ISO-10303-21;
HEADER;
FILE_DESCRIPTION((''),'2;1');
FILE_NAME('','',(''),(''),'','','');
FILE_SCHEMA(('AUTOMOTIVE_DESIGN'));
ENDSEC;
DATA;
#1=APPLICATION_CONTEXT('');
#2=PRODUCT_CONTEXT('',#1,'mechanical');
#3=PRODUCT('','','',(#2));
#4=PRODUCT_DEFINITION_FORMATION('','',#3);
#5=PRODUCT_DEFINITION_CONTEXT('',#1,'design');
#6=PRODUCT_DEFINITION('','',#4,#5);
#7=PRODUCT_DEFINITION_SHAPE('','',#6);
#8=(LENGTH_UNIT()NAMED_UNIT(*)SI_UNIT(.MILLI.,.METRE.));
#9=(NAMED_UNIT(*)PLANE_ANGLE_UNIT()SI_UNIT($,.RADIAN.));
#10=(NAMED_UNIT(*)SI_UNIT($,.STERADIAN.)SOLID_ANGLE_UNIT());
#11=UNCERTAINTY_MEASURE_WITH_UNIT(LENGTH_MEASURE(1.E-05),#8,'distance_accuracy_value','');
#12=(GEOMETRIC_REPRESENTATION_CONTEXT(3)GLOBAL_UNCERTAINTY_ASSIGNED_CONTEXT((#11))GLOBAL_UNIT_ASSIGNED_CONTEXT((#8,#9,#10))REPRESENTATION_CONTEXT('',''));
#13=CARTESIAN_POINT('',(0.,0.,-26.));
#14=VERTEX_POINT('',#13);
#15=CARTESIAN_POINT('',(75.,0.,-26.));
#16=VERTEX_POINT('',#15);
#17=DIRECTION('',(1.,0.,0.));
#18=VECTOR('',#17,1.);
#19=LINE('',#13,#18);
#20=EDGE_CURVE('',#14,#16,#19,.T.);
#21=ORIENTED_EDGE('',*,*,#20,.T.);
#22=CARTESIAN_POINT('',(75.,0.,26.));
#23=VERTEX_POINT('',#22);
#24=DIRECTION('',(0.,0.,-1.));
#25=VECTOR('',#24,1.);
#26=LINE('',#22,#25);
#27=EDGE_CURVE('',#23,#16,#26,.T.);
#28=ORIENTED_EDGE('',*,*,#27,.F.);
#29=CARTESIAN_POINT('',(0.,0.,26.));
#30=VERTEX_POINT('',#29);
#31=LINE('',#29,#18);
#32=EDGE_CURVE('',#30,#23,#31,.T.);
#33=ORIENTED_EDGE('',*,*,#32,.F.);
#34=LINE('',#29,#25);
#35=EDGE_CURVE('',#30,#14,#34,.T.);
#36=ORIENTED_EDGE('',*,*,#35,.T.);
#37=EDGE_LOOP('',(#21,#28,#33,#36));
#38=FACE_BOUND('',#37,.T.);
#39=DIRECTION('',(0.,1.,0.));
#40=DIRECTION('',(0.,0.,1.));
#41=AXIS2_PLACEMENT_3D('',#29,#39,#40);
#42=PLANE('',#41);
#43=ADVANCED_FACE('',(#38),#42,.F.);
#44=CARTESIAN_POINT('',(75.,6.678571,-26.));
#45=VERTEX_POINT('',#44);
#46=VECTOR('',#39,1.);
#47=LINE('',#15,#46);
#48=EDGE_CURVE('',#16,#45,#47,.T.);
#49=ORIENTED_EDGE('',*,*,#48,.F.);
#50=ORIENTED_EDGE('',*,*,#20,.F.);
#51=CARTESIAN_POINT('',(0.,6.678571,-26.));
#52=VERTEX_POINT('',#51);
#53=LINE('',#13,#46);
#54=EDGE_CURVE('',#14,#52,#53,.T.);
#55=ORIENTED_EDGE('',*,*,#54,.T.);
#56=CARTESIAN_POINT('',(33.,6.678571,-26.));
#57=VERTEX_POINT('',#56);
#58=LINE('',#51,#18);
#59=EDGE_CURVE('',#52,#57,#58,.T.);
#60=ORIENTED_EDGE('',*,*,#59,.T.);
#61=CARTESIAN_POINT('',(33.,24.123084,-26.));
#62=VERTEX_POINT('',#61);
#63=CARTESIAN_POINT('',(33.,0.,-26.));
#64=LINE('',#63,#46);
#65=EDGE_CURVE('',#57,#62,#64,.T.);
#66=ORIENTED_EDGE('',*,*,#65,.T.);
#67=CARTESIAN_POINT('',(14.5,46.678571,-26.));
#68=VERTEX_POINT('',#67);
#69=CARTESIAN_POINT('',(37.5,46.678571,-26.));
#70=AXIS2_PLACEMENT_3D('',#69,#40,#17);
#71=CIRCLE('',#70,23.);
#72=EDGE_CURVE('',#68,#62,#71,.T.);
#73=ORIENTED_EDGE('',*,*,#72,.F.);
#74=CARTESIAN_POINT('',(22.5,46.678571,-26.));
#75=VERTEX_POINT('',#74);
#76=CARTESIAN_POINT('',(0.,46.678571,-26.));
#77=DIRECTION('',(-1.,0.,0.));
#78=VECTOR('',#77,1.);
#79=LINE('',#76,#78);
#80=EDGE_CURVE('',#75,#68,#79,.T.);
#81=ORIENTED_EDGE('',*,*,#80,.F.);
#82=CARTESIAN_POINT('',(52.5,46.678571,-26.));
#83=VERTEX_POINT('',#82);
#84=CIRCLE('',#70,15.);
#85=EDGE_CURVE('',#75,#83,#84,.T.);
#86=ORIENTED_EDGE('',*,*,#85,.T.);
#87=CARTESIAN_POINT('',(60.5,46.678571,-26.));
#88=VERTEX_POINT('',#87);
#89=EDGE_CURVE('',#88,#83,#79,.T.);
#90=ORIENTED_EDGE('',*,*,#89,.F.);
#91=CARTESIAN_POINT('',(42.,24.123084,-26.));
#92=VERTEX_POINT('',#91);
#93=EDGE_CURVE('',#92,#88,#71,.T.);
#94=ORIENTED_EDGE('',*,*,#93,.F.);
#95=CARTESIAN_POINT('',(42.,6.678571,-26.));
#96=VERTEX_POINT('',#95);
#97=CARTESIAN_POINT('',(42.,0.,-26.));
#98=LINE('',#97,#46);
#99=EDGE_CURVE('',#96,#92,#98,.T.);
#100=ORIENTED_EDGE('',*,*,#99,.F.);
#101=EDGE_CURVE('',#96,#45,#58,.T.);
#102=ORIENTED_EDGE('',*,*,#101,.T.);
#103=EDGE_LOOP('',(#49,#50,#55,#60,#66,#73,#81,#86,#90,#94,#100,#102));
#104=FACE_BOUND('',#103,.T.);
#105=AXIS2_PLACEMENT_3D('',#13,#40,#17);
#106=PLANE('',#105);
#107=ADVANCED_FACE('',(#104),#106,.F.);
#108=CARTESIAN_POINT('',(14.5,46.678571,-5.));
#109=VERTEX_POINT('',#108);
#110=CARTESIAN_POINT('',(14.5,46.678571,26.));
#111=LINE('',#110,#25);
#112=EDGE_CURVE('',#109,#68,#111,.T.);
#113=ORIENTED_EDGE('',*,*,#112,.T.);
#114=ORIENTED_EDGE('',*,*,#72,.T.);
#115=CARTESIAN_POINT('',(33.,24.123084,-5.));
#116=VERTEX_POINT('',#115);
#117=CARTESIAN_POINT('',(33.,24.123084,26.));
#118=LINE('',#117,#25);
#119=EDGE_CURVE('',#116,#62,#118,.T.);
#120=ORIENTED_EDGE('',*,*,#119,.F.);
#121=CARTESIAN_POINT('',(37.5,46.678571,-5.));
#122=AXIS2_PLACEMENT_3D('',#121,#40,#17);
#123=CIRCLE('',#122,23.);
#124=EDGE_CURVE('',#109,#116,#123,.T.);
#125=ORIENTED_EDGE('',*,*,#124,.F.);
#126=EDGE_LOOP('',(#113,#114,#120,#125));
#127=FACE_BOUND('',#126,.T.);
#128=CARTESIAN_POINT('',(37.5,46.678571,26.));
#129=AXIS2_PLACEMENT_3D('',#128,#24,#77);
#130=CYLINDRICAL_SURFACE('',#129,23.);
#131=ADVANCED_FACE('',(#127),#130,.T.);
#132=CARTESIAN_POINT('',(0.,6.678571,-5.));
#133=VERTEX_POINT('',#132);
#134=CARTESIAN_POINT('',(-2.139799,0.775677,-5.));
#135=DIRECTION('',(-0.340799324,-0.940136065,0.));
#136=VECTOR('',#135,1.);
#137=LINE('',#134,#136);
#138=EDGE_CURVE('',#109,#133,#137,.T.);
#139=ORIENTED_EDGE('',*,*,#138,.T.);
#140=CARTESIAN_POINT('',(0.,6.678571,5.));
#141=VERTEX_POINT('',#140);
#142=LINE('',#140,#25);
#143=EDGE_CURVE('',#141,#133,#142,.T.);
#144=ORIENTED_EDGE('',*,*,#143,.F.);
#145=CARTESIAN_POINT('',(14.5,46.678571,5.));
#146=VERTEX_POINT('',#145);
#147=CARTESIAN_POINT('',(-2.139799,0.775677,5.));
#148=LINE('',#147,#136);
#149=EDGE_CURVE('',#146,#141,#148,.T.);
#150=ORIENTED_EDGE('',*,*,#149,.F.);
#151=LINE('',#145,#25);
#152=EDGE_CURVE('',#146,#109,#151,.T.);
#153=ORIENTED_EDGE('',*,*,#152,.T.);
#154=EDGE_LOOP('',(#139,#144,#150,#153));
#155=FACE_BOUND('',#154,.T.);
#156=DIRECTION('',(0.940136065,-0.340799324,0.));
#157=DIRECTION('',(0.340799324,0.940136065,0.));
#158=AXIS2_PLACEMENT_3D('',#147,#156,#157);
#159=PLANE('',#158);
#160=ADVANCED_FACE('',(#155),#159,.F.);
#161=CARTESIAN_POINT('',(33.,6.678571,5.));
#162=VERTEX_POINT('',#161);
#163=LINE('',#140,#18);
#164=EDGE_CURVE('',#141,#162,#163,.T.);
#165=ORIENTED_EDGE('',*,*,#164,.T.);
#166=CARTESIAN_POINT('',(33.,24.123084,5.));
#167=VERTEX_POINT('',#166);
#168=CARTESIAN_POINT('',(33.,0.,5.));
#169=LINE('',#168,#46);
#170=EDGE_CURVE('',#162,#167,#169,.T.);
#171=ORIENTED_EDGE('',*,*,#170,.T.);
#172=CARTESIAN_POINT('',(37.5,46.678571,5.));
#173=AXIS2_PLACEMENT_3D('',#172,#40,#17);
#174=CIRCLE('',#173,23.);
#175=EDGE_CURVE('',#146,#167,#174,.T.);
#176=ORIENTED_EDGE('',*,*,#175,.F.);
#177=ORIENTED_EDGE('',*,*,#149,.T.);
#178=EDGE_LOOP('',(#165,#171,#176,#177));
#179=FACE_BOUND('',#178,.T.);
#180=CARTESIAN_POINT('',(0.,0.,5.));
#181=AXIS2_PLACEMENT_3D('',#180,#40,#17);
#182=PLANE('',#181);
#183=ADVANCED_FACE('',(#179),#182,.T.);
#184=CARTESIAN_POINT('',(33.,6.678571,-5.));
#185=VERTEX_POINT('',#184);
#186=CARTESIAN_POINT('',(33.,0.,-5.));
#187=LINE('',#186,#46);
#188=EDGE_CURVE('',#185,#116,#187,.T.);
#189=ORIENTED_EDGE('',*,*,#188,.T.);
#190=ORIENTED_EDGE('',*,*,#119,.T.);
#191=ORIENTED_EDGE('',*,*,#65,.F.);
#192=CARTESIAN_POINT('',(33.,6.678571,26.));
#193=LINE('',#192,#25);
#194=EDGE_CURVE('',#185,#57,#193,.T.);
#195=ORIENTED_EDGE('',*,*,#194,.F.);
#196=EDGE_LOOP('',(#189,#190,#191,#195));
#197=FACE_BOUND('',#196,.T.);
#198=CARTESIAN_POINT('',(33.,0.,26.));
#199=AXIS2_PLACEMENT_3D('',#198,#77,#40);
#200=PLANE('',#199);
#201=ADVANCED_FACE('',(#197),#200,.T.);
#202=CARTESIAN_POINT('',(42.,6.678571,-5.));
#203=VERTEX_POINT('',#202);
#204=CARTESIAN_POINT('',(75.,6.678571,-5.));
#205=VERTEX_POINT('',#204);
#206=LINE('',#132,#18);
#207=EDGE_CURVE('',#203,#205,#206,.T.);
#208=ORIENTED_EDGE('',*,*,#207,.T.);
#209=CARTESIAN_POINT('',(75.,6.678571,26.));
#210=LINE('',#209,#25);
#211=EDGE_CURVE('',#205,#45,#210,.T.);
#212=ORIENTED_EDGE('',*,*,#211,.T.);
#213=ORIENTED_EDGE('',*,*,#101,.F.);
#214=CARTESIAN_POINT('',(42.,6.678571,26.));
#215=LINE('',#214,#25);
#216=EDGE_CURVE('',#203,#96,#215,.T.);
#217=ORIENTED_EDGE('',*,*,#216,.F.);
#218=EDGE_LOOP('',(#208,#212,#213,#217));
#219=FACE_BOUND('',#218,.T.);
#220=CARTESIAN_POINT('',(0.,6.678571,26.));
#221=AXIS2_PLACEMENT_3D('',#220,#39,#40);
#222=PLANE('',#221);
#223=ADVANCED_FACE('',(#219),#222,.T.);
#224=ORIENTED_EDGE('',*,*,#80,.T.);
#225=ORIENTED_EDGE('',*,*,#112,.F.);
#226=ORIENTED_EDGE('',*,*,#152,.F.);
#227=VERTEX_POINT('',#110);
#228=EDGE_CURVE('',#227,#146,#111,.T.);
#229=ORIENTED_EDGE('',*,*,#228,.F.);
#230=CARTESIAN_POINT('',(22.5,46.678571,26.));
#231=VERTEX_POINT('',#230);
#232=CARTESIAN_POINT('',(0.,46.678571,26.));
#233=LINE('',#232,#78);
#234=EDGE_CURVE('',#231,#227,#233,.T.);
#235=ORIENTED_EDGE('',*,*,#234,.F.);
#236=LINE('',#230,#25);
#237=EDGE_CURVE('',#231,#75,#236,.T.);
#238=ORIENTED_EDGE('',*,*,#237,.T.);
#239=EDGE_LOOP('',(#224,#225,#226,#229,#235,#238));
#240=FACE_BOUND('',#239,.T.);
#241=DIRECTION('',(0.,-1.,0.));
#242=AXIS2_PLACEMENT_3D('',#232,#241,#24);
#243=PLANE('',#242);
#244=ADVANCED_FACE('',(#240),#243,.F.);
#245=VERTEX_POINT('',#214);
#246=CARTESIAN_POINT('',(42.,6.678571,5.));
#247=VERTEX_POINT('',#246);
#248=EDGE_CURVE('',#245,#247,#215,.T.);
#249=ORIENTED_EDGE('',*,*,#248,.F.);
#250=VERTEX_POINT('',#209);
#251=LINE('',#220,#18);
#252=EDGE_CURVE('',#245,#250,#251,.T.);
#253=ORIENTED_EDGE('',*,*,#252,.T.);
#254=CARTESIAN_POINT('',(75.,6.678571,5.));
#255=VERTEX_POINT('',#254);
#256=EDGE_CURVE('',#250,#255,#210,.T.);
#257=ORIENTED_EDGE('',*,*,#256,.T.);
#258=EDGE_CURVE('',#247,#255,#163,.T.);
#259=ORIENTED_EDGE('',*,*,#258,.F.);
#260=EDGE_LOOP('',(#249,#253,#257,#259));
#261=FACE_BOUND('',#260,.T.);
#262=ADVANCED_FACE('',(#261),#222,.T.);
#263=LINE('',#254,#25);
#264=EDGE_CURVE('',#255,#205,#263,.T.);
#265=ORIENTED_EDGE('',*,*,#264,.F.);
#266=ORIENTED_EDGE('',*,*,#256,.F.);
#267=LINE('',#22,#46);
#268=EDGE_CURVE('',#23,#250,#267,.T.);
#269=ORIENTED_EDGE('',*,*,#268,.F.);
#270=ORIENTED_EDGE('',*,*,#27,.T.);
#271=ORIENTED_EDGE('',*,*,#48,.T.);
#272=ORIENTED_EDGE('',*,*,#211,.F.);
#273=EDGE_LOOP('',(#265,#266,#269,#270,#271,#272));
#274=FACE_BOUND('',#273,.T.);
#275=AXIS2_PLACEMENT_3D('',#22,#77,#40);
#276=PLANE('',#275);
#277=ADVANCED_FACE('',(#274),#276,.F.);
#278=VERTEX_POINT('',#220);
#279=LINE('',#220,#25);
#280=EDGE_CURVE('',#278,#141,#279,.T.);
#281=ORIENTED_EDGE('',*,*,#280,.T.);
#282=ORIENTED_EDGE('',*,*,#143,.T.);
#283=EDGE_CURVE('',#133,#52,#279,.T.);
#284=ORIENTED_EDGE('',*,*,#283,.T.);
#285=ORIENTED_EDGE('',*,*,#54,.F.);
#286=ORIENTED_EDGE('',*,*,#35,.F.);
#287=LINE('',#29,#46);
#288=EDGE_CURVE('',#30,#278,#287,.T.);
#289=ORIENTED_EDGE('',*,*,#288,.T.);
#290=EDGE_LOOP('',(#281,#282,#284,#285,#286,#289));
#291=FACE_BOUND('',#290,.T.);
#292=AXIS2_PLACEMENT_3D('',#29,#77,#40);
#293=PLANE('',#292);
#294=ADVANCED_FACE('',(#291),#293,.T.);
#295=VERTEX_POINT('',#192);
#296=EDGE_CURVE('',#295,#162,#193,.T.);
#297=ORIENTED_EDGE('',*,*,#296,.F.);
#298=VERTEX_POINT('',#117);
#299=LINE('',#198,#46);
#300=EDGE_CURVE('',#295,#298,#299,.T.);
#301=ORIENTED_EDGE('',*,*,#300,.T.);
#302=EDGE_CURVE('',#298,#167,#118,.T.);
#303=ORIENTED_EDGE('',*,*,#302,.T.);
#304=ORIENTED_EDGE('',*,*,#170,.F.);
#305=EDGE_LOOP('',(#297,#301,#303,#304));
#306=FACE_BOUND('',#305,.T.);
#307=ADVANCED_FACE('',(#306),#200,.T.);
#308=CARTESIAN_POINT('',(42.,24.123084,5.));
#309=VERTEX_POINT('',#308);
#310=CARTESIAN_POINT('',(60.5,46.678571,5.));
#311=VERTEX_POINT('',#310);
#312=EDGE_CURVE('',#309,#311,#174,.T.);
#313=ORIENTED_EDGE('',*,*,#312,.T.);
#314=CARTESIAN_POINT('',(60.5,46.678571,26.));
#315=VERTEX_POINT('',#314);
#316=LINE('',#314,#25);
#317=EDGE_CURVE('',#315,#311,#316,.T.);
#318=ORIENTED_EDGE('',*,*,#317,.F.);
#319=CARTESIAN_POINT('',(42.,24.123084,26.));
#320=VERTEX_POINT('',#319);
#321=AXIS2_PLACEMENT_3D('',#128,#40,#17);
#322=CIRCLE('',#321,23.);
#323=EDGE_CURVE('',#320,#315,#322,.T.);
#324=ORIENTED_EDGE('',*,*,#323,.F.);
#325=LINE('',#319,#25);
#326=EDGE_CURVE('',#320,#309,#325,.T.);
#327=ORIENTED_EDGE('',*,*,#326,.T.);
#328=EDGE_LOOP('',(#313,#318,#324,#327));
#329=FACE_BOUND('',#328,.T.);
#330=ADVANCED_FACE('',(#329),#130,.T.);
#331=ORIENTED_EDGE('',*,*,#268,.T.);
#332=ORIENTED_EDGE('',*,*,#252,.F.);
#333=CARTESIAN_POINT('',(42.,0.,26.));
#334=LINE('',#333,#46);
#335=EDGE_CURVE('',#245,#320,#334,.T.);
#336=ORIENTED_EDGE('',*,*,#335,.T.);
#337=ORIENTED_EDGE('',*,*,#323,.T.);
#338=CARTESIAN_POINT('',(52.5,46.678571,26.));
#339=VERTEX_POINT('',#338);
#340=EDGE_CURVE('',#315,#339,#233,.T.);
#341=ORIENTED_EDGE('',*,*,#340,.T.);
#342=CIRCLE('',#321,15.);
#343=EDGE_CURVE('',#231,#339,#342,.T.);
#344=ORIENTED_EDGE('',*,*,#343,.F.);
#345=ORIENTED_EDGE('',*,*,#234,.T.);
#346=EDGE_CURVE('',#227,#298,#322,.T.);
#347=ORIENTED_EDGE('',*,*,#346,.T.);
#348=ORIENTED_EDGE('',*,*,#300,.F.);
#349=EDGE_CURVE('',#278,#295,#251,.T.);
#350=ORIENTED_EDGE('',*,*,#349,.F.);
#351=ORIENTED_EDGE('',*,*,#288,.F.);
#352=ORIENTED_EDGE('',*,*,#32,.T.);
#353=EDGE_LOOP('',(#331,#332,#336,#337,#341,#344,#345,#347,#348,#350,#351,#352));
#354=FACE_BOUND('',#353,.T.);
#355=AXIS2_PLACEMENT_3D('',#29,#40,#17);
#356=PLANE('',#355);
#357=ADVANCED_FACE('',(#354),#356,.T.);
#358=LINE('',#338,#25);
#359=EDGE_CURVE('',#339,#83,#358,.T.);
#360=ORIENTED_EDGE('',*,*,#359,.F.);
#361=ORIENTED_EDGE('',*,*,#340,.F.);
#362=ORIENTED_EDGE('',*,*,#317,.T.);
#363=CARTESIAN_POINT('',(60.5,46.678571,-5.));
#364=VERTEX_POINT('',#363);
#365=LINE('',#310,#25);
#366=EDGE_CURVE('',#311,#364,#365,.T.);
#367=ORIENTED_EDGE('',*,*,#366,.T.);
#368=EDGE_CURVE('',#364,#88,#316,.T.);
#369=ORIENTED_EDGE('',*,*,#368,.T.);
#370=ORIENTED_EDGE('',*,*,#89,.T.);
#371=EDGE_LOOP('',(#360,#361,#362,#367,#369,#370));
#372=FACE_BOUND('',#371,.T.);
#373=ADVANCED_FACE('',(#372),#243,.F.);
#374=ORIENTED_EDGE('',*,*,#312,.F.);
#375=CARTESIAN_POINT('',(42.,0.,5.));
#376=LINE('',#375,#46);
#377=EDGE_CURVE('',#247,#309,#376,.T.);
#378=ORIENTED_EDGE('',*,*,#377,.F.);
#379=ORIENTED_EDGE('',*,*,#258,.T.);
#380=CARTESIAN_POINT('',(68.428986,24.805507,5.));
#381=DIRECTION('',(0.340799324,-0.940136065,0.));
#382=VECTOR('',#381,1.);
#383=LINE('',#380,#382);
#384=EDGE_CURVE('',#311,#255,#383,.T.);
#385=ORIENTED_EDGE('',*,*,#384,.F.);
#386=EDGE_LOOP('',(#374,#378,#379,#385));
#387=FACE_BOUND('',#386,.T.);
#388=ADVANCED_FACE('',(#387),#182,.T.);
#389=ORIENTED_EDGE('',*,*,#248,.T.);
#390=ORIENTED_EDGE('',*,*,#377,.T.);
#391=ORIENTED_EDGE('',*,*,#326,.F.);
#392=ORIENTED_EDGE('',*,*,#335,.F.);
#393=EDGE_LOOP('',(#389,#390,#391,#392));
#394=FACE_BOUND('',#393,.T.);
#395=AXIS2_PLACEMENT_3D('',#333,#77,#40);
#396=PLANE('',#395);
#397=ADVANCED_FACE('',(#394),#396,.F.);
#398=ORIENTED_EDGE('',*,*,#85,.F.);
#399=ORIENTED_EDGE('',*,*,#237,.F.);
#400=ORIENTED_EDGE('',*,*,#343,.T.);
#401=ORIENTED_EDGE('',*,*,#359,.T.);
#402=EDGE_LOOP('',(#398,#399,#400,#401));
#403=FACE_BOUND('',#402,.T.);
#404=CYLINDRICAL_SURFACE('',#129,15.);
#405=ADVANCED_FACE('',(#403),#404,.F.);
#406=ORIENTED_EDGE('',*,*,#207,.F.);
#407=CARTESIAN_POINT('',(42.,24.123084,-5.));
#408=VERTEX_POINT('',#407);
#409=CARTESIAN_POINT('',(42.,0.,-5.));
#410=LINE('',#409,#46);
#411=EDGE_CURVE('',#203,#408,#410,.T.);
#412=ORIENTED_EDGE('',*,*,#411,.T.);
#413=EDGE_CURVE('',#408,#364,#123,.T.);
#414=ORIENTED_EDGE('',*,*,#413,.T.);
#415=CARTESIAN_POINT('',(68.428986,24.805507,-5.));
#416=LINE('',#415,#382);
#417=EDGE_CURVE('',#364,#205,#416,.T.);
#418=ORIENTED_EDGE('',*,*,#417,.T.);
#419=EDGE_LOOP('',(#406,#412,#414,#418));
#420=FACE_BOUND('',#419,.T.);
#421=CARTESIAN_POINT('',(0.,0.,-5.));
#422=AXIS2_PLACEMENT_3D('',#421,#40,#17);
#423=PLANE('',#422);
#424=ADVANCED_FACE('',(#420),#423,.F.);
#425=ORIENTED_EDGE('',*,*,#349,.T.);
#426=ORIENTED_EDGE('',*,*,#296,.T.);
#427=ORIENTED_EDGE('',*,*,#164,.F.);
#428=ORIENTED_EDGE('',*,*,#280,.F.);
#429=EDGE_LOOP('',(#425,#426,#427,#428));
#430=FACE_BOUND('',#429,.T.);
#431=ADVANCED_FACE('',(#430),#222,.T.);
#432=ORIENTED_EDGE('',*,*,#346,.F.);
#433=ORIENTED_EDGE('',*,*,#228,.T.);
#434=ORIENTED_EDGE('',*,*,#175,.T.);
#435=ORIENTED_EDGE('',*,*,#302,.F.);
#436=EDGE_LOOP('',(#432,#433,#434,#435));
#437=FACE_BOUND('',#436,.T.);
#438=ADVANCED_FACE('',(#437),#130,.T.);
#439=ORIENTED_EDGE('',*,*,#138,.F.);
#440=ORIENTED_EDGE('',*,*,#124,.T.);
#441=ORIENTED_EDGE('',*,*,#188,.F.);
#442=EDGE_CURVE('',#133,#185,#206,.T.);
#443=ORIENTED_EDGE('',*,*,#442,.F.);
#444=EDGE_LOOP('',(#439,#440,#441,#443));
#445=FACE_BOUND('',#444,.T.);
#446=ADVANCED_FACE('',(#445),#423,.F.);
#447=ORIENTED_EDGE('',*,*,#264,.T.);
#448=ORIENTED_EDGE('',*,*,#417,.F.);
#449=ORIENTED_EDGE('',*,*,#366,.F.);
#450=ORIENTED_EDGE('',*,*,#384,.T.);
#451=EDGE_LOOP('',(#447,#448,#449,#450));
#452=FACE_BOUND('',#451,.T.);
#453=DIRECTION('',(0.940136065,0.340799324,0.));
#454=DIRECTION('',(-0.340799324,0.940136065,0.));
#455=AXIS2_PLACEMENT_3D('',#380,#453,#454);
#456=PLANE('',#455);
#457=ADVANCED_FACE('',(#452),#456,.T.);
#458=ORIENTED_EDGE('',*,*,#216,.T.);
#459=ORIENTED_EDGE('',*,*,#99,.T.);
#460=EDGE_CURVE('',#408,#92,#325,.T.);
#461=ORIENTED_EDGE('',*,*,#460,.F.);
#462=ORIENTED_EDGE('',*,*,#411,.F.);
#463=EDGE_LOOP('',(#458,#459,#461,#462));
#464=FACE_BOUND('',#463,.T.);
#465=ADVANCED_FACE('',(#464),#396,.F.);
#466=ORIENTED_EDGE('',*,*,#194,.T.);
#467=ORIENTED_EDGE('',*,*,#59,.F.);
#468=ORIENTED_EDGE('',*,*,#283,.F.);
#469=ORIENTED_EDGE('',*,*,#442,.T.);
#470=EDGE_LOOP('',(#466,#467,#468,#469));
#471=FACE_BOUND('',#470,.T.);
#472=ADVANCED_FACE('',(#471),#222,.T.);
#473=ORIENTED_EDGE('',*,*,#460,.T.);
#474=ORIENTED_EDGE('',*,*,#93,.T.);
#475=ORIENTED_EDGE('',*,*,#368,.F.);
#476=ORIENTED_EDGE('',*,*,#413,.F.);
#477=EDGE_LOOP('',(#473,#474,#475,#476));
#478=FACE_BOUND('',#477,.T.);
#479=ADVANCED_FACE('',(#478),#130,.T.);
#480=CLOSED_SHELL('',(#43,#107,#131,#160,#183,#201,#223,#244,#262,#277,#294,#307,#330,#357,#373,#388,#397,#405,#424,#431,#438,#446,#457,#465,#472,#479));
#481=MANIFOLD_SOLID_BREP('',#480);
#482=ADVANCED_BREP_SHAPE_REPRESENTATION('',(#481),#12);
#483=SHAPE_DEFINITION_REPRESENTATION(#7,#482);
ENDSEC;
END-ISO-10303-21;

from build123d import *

# Parameters (mm, degrees)
BOSS_EXTRUDE1_DEPTH = 26
BOSS_EXTRUDE2_DEPTH = 5


with BuildPart() as part:
    # Sketch1 → Boss-Extrude1 (new, symmetric)
    with BuildSketch(Plane.XY):
        with BuildLine():
            Line((75, 6.678571429), (42, 6.678571429))
            Line((42, 6.678571429), (42, 24.123084291))
            ThreePointArc((42, 24.123084291), (55.283419244, 32.092619283), (60.5, 46.678571429))
            Line((60.5, 46.678571429), (52.5, 46.678571429))
            ThreePointArc((52.5, 46.678571429), (37.5, 31.678571429), (22.5, 46.678571429))
            Line((22.5, 46.678571429), (14.5, 46.678571429))
            ThreePointArc((14.5, 46.678571429), (19.716580756, 32.092619283), (33, 24.123084291))
            Line((33, 24.123084291), (33, 6.678571429))
            Line((33, 6.678571429), (0, 6.678571429))
            Line((0, 6.678571429), (0, 0))
            Line((0, 0), (75, 0))
            Line((75, 0), (75, 6.678571429))
        make_face()
    extrude(amount=BOSS_EXTRUDE1_DEPTH, both=True)

    # Sketch1<3> → Boss-Extrude2 (add, symmetric)
    with BuildSketch(Plane.XY):
        with BuildLine():
            Line((42, 24.123084291), (42, 6.678571429))
            Line((42, 6.678571429), (75, 6.678571429))
            Line((75, 6.678571429), (60.5, 46.678571429))
            ThreePointArc((60.5, 46.678571429), (55.283419244, 32.092619283), (42, 24.123084291))
        make_face()
        with BuildLine():
            Line((14.5, 46.678571429), (0, 6.678571429))
            Line((0, 6.678571429), (33, 6.678571429))
            Line((33, 6.678571429), (33, 24.123084291))
            ThreePointArc((33, 24.123084291), (19.716580756, 32.092619283), (14.5, 46.678571429))
        make_face()
    extrude(amount=BOSS_EXTRUDE2_DEPTH, both=True)


solid = part.part
